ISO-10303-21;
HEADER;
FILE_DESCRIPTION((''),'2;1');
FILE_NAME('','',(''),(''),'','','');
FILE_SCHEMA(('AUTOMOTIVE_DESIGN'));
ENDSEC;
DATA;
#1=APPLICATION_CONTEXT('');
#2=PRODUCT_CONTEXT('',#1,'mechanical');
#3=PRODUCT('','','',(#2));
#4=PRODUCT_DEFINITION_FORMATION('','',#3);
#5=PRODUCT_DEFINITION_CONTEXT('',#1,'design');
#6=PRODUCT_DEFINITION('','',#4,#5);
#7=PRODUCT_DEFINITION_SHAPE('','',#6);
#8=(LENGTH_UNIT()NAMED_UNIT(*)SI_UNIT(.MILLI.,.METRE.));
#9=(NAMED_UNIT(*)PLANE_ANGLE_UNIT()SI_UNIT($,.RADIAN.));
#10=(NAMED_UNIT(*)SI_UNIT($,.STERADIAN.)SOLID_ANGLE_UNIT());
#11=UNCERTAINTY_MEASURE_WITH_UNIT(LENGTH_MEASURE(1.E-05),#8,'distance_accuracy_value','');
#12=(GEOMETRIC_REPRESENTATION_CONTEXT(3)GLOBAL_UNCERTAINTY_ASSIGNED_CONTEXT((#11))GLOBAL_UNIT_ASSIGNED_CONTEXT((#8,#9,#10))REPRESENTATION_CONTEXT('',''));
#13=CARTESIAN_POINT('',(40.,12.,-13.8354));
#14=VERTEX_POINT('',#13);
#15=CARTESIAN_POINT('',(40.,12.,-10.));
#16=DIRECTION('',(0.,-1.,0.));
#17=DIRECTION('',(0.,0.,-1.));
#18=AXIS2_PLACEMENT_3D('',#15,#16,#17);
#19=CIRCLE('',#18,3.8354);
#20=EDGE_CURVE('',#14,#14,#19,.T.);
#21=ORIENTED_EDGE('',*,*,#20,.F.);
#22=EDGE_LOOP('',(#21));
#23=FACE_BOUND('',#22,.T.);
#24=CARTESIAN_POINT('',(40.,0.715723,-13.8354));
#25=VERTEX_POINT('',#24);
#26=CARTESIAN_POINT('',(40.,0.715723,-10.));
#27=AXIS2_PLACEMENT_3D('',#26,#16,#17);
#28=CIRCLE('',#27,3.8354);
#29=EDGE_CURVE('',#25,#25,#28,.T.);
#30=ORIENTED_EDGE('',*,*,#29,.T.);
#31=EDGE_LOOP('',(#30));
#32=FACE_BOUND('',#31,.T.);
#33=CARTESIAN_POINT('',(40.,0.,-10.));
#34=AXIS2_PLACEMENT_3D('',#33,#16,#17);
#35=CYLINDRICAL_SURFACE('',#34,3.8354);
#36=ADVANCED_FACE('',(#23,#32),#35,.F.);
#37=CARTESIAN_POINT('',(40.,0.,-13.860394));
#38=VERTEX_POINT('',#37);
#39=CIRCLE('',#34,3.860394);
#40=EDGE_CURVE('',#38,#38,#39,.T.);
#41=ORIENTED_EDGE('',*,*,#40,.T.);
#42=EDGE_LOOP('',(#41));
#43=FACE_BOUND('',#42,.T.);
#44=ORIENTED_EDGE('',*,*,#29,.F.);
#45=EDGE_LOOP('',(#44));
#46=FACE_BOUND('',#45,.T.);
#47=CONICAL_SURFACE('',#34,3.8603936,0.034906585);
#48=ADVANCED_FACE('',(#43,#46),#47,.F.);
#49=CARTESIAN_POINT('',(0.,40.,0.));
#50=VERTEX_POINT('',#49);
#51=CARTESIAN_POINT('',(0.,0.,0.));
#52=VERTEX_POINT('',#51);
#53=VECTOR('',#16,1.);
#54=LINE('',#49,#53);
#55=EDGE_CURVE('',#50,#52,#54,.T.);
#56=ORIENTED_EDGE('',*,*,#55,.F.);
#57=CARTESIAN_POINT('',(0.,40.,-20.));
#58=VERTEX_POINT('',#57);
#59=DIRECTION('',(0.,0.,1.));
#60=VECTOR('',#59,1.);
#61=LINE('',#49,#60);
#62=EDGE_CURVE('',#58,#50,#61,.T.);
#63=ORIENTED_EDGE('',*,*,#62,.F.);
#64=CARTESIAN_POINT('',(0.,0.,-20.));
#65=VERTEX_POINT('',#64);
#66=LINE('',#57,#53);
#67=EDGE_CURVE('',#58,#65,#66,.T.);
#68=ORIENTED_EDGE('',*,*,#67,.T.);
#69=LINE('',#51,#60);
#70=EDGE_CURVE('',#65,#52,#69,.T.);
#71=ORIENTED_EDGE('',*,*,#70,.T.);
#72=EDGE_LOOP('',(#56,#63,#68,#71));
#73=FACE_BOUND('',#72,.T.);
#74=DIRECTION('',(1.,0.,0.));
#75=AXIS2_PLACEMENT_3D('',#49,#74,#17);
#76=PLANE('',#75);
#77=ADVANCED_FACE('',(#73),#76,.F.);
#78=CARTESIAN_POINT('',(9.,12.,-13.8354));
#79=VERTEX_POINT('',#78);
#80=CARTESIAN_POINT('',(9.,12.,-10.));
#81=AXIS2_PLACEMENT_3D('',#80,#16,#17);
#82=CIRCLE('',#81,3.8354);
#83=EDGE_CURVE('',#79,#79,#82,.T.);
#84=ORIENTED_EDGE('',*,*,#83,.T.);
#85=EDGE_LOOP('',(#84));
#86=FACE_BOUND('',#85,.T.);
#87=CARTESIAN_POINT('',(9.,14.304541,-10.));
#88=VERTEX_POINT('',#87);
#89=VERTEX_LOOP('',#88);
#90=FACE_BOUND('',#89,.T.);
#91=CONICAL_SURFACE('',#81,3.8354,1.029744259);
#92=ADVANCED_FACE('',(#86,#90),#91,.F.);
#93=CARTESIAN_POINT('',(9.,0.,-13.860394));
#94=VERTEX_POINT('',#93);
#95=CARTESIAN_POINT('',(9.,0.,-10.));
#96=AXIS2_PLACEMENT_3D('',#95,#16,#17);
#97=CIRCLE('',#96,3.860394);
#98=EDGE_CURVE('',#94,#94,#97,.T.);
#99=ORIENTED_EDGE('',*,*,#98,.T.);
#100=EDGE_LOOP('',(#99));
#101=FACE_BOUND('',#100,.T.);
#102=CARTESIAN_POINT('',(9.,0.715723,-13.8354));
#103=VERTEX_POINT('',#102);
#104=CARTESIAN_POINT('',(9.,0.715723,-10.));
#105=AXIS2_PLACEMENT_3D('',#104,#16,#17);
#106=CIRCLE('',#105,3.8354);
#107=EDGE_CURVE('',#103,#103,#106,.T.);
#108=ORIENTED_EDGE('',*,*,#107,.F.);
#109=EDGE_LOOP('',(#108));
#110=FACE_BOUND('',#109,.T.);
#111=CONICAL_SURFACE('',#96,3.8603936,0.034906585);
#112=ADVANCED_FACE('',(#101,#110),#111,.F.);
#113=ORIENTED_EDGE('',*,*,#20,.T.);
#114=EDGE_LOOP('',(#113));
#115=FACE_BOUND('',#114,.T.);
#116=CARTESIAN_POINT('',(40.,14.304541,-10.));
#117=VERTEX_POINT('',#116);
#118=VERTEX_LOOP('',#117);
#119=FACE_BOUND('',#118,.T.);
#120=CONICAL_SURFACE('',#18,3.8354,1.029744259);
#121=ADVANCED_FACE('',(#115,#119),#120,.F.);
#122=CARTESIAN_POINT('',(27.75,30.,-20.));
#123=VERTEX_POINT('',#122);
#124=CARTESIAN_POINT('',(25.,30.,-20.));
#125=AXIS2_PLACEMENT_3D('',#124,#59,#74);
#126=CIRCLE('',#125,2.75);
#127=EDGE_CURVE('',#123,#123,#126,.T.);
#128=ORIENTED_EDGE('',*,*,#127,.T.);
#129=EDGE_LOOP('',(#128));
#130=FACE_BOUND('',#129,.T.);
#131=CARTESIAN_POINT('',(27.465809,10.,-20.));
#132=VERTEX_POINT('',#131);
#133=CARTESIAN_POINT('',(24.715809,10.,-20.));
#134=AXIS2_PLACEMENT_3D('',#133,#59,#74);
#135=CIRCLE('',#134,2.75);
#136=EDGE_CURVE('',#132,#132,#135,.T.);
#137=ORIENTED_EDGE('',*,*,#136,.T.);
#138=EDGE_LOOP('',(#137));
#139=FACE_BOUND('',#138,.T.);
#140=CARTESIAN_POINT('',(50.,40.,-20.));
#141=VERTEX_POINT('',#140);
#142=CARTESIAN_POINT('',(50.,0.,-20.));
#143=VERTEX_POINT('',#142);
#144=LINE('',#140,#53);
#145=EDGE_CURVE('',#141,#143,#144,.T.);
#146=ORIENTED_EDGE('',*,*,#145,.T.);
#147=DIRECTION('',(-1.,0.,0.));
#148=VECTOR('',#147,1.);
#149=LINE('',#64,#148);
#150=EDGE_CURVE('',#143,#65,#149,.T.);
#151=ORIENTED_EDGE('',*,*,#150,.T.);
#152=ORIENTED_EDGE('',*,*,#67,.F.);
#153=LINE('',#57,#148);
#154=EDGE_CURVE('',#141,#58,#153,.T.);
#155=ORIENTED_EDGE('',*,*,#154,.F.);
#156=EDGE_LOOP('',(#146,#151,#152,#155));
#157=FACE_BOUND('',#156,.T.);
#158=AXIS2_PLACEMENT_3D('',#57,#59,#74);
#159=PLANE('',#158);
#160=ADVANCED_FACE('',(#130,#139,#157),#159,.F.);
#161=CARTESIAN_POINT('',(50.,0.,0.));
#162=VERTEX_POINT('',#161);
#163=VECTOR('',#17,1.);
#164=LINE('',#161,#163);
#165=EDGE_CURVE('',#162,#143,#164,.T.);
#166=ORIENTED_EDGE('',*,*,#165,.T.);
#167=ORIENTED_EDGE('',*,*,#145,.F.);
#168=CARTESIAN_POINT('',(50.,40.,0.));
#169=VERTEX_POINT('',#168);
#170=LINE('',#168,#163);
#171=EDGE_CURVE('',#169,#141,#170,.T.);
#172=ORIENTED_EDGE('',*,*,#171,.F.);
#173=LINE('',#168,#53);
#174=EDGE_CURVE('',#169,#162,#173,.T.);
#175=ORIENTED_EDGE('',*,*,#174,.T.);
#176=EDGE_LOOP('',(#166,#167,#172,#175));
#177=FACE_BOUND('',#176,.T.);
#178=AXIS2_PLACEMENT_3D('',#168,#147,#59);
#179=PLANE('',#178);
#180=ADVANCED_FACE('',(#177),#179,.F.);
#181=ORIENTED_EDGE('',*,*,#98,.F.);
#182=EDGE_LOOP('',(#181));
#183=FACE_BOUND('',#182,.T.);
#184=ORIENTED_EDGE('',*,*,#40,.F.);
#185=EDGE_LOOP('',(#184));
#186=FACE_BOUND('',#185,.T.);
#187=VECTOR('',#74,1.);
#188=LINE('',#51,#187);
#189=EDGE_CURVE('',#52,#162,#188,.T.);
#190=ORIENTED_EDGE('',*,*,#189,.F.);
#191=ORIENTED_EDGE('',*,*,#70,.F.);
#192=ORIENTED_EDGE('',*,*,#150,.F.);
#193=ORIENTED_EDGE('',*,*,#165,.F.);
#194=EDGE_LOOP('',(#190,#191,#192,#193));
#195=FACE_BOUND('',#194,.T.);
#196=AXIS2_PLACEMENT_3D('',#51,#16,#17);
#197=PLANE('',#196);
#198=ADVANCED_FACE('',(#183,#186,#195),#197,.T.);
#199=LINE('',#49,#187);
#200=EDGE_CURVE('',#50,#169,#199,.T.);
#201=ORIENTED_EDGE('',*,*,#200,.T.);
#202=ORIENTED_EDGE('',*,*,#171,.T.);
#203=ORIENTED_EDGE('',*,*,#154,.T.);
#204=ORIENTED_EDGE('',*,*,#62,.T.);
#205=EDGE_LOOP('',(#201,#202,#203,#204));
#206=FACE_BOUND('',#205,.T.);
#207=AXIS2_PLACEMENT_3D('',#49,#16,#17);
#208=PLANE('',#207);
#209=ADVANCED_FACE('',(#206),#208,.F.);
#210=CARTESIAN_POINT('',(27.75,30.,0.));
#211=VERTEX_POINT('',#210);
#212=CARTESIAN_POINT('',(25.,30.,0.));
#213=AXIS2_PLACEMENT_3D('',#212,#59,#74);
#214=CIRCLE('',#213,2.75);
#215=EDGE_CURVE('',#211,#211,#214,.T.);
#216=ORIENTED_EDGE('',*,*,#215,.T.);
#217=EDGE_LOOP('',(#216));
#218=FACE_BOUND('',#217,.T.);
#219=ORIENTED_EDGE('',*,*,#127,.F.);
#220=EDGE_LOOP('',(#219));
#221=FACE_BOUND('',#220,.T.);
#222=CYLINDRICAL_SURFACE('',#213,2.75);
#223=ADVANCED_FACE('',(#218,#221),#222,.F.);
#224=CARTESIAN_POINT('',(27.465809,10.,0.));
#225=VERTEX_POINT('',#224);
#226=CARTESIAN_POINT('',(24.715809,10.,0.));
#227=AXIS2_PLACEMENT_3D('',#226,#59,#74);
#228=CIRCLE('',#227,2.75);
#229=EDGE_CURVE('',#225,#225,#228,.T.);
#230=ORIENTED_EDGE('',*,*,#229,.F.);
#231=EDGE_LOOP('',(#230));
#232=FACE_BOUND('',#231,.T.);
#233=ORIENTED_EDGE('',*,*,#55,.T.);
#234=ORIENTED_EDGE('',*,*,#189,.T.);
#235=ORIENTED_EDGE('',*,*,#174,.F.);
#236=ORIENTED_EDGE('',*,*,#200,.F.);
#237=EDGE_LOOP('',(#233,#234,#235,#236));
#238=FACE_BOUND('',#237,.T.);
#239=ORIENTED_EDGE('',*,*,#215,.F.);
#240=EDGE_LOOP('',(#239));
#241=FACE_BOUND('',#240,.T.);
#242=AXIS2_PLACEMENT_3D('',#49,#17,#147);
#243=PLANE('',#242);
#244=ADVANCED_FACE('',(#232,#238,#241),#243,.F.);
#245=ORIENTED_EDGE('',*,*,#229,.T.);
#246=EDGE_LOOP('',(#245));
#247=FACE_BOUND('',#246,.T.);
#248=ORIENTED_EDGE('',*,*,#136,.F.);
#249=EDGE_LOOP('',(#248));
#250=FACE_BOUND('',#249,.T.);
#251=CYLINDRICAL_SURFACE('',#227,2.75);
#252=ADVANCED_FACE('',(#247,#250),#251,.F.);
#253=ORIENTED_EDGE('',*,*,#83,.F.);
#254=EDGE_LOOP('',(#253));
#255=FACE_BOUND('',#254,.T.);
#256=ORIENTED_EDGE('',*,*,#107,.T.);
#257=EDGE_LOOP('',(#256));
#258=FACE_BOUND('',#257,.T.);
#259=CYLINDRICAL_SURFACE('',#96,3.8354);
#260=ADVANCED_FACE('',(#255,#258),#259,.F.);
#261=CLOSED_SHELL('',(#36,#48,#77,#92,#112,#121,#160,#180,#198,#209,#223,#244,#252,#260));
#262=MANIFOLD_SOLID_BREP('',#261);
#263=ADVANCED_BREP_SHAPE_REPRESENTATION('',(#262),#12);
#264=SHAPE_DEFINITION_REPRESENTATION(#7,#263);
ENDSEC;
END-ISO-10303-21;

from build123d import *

# Parameters (mm, degrees)
SKETCH1_W                             = 50
SKETCH1_H                             = 20
BOSS_EXTRUDE1_DEPTH                   = 40
M5_CLEARANCE_HOLE1_D                  = 5.5
F_97_0_0059_DIAMETER_HOLE1_AT_2_COUNT = 2
F_97_0_0059_DIAMETER_HOLE1_AT_2_PITCH = 31


with BuildPart() as part:
    # Sketch1 → Boss-Extrude1 (new body)
    with BuildSketch(Plane(origin=(0, 0, 0), x_dir=(1, 0, 0), z_dir=(0, 1, 0))):
        with Locations((25, 10)):
            Rectangle(SKETCH1_W, SKETCH1_H)
    extrude(amount=BOSS_EXTRUDE1_DEPTH)

    # M5 Clearance Hole1 (through all)
    with Locations(Plane.XY):
        with Locations((25, 30), (24.715809074, 10)):
            Hole(M5_CLEARANCE_HOLE1_D / 2)

    # Sketch6 → #97 (0.0059) Diameter Hole1 (revolve, cut)
    with BuildSketch(Plane(origin=(40, 0, -10), x_dir=(0, 0, -1), z_dir=(1, 0, 0))):
        Polygon((0, 0), (0, 14.304540818), (3.8354, 12), (3.8354, 0.71572306), (3.8603936, 0), align=None)
    f_97_0_0059_diameter_hole1 = revolve(axis=Axis((40, -6.35, -10), (0, 1, 0)), mode=Mode.SUBTRACT)

    # #97 (0.0059) Diameter Hole1 at 2: #97 (0.0059) Diameter Hole1 ×2
    with Locations(*[(-i * F_97_0_0059_DIAMETER_HOLE1_AT_2_PITCH, 0, 0) for i in range(1, F_97_0_0059_DIAMETER_HOLE1_AT_2_COUNT)]):
        add(f_97_0_0059_diameter_hole1, mode=Mode.SUBTRACT)


solid = part.part
